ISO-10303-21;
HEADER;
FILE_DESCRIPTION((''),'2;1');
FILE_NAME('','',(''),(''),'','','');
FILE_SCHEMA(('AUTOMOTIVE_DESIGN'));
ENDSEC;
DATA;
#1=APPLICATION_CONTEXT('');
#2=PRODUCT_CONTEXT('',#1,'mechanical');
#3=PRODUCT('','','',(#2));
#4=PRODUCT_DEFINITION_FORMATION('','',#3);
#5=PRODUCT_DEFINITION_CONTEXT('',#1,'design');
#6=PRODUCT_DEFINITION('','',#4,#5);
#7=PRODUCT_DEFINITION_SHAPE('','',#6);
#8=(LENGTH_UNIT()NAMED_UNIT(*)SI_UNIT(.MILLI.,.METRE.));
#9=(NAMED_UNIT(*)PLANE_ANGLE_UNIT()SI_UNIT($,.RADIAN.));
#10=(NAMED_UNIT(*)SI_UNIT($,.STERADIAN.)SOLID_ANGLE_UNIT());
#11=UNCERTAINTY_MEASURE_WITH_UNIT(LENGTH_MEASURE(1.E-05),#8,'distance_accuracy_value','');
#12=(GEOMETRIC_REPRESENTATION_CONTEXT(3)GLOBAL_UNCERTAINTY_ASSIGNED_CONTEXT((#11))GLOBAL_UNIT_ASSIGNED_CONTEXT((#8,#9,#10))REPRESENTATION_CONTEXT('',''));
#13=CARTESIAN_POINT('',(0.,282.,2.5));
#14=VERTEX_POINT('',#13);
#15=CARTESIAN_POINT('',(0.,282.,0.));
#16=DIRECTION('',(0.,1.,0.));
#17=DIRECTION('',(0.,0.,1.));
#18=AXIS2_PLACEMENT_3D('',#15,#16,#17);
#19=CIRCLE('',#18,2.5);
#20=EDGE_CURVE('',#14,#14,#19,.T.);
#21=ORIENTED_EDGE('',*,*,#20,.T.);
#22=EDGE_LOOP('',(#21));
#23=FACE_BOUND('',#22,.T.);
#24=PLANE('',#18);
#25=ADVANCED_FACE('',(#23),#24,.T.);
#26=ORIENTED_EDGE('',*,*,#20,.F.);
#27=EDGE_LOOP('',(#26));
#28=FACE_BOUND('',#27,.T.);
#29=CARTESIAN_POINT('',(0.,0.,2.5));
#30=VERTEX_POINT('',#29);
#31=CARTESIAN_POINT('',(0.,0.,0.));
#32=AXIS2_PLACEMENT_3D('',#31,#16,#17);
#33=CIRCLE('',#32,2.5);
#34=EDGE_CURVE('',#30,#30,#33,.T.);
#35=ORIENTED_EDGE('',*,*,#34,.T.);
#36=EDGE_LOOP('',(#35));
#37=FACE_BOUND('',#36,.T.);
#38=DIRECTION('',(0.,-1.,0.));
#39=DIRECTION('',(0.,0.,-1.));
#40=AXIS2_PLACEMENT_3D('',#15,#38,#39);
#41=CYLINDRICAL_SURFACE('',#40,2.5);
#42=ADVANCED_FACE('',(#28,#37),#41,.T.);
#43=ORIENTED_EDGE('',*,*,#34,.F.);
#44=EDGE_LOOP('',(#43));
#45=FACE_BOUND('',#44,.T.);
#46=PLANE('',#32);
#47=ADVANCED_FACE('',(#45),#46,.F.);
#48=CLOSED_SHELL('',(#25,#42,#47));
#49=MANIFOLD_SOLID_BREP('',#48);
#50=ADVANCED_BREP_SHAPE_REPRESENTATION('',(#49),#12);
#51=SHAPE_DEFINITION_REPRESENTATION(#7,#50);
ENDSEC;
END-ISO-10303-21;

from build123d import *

# Parameters (mm, degrees)
ESQUISSE1_R        = 2.5
BOSS_EXTRU_1_DEPTH = 282


with BuildPart() as part:
    # Esquisse1 → Boss.-Extru.1 (new body)
    with BuildSketch(Plane(origin=(0, 0, 0), x_dir=(1, 0, 0), z_dir=(0, 1, 0))):
        Circle(ESQUISSE1_R)
    extrude(amount=BOSS_EXTRU_1_DEPTH)


solid = part.part
